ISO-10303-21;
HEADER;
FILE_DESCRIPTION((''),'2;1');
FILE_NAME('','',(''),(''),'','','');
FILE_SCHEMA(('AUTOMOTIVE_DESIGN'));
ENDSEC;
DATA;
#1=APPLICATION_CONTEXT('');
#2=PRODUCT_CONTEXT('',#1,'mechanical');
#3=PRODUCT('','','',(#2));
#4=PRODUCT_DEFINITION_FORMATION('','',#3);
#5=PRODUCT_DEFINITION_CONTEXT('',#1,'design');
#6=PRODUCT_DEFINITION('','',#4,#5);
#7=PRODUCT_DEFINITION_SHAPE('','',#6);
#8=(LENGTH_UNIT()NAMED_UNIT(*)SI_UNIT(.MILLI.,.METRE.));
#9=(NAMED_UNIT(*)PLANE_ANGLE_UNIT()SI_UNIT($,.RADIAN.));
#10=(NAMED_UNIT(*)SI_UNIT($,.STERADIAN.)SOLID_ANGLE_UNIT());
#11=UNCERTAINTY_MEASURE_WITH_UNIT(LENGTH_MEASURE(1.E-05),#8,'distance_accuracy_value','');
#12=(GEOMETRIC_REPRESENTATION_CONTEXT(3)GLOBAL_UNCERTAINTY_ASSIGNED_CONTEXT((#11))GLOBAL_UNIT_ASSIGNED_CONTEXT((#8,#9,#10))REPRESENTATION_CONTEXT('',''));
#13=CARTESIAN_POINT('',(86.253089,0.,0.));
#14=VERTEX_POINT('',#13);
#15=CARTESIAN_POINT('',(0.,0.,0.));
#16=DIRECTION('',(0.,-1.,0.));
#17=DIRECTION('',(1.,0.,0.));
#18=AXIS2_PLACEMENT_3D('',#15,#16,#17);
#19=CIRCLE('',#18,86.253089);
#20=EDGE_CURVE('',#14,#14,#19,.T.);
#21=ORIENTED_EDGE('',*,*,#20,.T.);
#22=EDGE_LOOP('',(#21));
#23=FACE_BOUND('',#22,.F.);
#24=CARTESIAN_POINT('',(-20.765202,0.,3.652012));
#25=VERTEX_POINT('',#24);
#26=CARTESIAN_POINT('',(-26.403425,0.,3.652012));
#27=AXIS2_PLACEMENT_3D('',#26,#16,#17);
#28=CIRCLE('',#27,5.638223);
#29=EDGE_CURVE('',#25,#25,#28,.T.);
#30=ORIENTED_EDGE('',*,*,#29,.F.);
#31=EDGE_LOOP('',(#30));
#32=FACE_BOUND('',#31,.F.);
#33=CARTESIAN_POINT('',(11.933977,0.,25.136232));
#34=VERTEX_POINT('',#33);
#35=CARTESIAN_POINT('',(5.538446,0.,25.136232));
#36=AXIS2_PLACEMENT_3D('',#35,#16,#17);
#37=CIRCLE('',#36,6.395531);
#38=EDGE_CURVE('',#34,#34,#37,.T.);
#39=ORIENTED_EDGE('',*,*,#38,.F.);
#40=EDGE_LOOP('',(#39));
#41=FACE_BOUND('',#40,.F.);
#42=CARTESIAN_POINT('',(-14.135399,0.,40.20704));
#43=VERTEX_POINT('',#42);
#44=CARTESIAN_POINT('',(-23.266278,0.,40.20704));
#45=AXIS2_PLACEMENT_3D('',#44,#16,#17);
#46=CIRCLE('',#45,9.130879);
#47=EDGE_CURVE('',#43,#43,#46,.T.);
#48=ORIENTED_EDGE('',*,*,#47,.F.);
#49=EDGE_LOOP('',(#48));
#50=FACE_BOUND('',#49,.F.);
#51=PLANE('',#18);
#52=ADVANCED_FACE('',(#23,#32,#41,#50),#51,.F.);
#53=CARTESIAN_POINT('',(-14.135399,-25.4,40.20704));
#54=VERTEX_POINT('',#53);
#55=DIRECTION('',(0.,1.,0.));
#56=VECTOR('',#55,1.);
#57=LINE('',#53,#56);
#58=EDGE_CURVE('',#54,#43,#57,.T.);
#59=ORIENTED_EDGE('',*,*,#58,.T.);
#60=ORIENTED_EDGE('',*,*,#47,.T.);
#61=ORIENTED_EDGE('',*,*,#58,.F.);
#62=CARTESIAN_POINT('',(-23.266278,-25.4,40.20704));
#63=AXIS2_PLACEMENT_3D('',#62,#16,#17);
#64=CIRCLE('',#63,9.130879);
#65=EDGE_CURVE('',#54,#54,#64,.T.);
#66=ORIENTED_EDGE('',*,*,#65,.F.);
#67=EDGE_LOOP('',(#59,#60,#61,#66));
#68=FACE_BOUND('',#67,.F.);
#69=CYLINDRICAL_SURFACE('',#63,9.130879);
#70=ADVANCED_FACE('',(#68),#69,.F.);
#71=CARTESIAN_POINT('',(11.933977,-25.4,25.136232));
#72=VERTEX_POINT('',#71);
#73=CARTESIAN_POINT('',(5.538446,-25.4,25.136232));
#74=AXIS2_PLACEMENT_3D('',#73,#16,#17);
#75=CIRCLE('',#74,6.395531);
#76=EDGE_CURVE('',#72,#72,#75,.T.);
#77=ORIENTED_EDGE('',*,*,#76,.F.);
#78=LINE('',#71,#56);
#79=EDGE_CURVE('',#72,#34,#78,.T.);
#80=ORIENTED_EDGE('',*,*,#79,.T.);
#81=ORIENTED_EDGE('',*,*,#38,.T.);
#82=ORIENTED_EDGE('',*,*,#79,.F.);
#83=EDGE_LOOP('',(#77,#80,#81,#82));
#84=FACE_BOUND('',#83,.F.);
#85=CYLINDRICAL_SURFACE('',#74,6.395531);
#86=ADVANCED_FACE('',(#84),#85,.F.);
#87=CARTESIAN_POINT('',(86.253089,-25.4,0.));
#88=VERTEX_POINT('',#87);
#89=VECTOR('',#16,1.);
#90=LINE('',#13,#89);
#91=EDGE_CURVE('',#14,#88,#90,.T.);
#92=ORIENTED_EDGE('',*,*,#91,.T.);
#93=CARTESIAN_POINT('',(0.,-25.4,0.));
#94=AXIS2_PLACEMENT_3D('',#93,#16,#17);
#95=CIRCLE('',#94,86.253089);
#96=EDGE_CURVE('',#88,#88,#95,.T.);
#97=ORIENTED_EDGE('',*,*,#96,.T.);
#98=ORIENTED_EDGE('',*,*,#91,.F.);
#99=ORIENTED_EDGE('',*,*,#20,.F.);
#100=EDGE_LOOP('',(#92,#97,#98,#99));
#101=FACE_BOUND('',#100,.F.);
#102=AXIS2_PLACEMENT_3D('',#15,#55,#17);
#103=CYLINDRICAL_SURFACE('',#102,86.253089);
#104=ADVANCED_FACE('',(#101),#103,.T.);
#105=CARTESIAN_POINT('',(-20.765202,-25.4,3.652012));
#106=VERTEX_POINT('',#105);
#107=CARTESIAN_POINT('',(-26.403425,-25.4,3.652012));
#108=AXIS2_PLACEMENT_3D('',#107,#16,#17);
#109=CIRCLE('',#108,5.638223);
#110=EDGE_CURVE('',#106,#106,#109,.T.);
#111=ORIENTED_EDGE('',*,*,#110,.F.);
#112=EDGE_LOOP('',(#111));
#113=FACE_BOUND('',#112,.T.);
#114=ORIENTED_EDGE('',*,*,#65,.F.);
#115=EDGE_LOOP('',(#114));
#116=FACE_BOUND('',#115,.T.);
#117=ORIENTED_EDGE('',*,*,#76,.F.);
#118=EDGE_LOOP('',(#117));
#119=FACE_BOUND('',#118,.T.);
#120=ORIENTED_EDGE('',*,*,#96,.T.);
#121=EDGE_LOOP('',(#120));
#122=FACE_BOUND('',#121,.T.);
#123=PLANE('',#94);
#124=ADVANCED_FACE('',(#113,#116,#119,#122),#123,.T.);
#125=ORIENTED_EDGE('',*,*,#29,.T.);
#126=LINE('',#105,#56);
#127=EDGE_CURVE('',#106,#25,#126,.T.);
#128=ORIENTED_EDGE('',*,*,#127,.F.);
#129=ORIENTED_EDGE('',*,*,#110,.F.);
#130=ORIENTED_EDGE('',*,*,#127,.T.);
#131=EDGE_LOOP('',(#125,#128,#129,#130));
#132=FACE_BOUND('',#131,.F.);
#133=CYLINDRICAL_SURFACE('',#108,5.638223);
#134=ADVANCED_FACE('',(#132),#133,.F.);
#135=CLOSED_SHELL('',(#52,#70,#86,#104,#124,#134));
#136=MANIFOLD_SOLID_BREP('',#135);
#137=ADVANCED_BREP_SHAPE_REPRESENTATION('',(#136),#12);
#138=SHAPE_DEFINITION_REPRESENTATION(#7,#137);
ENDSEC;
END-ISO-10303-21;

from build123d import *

# Parameters (mm, degrees)
F0_R     = 86.253089
F1_DEPTH = 25.4
F2_R     = 5.638223
F2_R_2   = 9.130879
F2_R_3   = 6.395531
F3_DEPTH = 25.401


with BuildPart() as f1:
    # F0 (on Front) → F1 (new body)
    with BuildSketch(Plane.XZ):
        Circle(F0_R)
    extrude(amount=F1_DEPTH)

    # F2 (on face) → F3 (cut, through all)
    with BuildSketch(Plane.XZ.offset(25.4)):
        with Locations((-26.403425, 3.652012)):
            Circle(F2_R)
        with Locations((-23.266278, 40.20704)):
            Circle(F2_R_2)
        with Locations((5.538446, 25.136232)):
            Circle(F2_R_3)
    extrude(amount=-F3_DEPTH, mode=Mode.SUBTRACT)


solid = f1.part
